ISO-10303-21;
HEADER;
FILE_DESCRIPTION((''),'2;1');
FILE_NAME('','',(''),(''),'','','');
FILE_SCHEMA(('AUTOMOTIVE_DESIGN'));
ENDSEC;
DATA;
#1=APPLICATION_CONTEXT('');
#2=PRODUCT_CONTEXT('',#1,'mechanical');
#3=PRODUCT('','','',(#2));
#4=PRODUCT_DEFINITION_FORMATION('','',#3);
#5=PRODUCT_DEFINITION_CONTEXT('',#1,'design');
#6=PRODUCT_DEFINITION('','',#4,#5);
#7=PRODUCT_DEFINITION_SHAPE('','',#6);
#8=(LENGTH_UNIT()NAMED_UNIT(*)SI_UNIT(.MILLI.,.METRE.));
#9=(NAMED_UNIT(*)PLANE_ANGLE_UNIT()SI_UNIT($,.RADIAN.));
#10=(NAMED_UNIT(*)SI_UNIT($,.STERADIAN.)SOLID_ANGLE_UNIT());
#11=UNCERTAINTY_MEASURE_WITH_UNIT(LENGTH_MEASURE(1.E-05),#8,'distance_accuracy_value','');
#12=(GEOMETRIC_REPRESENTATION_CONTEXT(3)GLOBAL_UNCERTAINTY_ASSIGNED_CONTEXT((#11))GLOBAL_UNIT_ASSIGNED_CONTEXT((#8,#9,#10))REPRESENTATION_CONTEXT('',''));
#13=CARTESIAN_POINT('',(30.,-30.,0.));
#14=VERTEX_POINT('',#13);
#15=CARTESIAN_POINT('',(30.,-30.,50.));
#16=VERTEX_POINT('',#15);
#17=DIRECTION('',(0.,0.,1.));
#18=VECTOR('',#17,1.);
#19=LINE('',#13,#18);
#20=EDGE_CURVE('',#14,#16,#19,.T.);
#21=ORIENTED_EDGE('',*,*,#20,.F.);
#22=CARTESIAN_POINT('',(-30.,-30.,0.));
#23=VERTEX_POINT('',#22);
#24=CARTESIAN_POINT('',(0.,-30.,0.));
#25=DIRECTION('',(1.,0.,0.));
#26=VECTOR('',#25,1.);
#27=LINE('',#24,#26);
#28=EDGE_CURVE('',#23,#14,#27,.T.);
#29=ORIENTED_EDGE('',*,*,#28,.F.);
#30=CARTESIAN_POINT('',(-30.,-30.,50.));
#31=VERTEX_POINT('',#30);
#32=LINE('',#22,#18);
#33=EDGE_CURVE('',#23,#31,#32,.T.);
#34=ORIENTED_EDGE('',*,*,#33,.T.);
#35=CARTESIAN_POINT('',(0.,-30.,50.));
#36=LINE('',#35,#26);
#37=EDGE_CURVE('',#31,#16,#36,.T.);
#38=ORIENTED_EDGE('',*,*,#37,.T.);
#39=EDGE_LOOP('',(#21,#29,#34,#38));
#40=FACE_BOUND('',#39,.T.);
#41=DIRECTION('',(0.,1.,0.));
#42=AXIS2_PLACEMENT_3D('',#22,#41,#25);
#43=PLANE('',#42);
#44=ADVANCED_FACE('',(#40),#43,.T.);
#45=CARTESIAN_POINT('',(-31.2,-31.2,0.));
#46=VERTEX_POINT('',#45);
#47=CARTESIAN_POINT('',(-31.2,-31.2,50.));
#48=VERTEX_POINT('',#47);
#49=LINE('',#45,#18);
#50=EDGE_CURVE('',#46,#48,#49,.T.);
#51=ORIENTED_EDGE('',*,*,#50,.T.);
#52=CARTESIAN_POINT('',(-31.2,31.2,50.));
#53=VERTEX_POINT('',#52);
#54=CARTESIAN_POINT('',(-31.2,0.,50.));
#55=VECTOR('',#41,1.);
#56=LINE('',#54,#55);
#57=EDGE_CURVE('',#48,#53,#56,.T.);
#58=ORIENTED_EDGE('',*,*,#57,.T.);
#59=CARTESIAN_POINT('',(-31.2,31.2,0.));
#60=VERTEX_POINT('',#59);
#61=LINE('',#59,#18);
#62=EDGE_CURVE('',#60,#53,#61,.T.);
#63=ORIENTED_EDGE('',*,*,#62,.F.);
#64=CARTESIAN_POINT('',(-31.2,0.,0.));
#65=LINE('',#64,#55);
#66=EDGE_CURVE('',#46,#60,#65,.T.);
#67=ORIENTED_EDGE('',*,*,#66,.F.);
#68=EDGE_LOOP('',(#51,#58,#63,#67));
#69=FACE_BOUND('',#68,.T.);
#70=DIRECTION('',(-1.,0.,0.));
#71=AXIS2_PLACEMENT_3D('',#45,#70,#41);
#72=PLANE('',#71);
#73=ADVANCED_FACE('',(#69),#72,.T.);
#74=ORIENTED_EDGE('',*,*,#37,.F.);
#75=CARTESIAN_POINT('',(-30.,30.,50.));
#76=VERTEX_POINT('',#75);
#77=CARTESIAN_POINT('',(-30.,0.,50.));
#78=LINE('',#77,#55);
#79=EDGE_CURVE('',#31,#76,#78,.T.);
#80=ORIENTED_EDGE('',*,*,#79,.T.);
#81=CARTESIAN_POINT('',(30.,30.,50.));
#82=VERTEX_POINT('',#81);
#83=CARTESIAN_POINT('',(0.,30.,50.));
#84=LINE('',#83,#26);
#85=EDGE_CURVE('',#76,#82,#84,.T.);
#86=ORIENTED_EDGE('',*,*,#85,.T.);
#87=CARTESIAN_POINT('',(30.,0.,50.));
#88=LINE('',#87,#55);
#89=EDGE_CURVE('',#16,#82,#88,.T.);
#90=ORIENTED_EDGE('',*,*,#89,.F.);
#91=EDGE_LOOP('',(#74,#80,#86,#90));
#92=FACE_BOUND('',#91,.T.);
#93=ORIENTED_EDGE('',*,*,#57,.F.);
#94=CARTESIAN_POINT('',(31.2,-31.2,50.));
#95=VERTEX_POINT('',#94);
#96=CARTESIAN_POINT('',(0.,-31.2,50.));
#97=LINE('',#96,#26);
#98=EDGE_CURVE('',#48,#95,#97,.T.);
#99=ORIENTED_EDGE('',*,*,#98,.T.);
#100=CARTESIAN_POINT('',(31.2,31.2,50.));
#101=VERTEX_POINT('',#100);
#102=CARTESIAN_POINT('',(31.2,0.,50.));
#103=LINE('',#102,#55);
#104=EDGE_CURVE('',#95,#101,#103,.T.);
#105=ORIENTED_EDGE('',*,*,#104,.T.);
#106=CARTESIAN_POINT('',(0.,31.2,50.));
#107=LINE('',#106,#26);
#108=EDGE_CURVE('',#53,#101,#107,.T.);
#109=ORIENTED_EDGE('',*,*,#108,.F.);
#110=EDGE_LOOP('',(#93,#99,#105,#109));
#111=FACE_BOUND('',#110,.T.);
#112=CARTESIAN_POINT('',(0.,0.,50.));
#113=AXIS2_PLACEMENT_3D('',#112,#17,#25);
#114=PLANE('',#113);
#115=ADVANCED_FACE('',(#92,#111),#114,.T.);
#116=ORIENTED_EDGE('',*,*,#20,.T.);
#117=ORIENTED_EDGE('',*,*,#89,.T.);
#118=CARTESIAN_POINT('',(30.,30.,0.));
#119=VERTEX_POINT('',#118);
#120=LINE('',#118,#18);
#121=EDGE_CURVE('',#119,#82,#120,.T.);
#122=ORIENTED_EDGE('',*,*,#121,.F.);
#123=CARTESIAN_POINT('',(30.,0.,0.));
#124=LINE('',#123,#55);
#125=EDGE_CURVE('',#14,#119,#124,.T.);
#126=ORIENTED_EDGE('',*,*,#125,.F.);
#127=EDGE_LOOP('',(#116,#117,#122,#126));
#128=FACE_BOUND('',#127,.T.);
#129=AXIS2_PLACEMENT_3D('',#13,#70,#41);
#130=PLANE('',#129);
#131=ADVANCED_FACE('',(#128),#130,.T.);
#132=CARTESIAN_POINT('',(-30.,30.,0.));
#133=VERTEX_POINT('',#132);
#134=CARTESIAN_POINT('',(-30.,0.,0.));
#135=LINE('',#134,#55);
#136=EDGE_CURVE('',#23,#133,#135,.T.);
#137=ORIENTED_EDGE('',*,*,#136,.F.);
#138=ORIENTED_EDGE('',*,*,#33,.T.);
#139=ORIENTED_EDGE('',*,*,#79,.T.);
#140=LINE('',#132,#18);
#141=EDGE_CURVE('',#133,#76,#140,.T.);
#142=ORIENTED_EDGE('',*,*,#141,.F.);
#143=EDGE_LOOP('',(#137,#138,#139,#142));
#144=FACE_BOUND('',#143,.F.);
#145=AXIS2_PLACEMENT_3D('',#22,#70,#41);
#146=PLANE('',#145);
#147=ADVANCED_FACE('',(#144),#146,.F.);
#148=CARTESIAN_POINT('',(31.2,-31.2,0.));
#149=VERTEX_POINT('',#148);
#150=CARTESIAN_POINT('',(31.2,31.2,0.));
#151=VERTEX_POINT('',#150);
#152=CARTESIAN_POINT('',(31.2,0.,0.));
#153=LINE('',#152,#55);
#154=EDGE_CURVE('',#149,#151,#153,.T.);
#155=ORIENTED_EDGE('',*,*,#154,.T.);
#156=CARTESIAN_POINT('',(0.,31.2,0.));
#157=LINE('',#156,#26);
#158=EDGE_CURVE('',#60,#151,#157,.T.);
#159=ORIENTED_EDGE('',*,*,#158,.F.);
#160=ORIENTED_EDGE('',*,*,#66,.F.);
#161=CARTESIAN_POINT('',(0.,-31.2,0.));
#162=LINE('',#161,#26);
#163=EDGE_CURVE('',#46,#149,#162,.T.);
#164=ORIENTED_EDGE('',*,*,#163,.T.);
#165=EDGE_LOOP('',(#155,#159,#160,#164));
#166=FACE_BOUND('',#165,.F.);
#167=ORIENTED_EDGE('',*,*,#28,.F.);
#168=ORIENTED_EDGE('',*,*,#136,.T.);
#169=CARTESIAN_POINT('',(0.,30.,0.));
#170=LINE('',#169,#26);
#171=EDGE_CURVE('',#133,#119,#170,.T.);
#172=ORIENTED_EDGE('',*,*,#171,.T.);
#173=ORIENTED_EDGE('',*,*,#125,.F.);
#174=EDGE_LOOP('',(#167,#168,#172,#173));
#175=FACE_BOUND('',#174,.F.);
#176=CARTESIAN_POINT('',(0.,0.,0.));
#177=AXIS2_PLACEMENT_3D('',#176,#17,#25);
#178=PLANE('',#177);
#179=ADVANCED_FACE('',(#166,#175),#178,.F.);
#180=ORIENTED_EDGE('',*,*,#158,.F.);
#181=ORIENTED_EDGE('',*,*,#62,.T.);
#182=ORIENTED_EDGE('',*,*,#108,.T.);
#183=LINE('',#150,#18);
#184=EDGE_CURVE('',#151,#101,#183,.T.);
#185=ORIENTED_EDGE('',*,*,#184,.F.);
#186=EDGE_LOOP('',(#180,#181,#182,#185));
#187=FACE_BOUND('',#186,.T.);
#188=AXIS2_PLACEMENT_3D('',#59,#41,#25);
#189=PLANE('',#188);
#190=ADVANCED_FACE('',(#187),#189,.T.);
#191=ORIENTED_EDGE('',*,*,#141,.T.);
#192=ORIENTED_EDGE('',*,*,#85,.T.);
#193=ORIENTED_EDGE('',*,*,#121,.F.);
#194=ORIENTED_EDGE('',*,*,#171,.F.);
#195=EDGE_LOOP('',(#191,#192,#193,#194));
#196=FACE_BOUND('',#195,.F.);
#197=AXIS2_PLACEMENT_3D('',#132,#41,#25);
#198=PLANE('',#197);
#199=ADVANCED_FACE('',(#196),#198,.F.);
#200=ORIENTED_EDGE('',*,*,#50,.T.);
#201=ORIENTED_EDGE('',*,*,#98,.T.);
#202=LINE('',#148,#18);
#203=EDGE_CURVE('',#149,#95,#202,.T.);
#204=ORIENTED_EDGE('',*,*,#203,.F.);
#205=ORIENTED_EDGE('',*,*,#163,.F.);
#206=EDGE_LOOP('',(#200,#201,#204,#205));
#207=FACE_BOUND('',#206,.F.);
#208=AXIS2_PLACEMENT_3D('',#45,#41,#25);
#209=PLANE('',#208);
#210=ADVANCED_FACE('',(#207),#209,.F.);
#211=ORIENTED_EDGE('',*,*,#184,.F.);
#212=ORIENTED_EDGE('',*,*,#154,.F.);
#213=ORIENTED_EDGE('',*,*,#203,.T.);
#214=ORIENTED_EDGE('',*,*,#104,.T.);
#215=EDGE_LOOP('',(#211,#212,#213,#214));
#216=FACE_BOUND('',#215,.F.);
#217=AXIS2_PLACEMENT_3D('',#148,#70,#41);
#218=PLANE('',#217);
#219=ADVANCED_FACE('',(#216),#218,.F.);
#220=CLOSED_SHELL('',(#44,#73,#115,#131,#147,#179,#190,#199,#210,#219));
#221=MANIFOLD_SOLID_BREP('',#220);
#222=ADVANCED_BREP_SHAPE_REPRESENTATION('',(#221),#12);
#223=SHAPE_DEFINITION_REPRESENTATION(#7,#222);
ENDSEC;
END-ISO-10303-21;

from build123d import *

# Parameters (mm, degrees)
F0_W     = 62.4
F0_H     = 62.4
F0_W_2   = 60
F0_H_2   = 60
F1_DEPTH = 50


with BuildPart() as f1:
    # F0 (on Top) → F1 (new body)
    with BuildSketch(Plane.XY):
        Rectangle(F0_W, F0_H)
        Rectangle(F0_W_2, F0_H_2, mode=Mode.SUBTRACT)
    extrude(amount=F1_DEPTH)


solid = f1.part
